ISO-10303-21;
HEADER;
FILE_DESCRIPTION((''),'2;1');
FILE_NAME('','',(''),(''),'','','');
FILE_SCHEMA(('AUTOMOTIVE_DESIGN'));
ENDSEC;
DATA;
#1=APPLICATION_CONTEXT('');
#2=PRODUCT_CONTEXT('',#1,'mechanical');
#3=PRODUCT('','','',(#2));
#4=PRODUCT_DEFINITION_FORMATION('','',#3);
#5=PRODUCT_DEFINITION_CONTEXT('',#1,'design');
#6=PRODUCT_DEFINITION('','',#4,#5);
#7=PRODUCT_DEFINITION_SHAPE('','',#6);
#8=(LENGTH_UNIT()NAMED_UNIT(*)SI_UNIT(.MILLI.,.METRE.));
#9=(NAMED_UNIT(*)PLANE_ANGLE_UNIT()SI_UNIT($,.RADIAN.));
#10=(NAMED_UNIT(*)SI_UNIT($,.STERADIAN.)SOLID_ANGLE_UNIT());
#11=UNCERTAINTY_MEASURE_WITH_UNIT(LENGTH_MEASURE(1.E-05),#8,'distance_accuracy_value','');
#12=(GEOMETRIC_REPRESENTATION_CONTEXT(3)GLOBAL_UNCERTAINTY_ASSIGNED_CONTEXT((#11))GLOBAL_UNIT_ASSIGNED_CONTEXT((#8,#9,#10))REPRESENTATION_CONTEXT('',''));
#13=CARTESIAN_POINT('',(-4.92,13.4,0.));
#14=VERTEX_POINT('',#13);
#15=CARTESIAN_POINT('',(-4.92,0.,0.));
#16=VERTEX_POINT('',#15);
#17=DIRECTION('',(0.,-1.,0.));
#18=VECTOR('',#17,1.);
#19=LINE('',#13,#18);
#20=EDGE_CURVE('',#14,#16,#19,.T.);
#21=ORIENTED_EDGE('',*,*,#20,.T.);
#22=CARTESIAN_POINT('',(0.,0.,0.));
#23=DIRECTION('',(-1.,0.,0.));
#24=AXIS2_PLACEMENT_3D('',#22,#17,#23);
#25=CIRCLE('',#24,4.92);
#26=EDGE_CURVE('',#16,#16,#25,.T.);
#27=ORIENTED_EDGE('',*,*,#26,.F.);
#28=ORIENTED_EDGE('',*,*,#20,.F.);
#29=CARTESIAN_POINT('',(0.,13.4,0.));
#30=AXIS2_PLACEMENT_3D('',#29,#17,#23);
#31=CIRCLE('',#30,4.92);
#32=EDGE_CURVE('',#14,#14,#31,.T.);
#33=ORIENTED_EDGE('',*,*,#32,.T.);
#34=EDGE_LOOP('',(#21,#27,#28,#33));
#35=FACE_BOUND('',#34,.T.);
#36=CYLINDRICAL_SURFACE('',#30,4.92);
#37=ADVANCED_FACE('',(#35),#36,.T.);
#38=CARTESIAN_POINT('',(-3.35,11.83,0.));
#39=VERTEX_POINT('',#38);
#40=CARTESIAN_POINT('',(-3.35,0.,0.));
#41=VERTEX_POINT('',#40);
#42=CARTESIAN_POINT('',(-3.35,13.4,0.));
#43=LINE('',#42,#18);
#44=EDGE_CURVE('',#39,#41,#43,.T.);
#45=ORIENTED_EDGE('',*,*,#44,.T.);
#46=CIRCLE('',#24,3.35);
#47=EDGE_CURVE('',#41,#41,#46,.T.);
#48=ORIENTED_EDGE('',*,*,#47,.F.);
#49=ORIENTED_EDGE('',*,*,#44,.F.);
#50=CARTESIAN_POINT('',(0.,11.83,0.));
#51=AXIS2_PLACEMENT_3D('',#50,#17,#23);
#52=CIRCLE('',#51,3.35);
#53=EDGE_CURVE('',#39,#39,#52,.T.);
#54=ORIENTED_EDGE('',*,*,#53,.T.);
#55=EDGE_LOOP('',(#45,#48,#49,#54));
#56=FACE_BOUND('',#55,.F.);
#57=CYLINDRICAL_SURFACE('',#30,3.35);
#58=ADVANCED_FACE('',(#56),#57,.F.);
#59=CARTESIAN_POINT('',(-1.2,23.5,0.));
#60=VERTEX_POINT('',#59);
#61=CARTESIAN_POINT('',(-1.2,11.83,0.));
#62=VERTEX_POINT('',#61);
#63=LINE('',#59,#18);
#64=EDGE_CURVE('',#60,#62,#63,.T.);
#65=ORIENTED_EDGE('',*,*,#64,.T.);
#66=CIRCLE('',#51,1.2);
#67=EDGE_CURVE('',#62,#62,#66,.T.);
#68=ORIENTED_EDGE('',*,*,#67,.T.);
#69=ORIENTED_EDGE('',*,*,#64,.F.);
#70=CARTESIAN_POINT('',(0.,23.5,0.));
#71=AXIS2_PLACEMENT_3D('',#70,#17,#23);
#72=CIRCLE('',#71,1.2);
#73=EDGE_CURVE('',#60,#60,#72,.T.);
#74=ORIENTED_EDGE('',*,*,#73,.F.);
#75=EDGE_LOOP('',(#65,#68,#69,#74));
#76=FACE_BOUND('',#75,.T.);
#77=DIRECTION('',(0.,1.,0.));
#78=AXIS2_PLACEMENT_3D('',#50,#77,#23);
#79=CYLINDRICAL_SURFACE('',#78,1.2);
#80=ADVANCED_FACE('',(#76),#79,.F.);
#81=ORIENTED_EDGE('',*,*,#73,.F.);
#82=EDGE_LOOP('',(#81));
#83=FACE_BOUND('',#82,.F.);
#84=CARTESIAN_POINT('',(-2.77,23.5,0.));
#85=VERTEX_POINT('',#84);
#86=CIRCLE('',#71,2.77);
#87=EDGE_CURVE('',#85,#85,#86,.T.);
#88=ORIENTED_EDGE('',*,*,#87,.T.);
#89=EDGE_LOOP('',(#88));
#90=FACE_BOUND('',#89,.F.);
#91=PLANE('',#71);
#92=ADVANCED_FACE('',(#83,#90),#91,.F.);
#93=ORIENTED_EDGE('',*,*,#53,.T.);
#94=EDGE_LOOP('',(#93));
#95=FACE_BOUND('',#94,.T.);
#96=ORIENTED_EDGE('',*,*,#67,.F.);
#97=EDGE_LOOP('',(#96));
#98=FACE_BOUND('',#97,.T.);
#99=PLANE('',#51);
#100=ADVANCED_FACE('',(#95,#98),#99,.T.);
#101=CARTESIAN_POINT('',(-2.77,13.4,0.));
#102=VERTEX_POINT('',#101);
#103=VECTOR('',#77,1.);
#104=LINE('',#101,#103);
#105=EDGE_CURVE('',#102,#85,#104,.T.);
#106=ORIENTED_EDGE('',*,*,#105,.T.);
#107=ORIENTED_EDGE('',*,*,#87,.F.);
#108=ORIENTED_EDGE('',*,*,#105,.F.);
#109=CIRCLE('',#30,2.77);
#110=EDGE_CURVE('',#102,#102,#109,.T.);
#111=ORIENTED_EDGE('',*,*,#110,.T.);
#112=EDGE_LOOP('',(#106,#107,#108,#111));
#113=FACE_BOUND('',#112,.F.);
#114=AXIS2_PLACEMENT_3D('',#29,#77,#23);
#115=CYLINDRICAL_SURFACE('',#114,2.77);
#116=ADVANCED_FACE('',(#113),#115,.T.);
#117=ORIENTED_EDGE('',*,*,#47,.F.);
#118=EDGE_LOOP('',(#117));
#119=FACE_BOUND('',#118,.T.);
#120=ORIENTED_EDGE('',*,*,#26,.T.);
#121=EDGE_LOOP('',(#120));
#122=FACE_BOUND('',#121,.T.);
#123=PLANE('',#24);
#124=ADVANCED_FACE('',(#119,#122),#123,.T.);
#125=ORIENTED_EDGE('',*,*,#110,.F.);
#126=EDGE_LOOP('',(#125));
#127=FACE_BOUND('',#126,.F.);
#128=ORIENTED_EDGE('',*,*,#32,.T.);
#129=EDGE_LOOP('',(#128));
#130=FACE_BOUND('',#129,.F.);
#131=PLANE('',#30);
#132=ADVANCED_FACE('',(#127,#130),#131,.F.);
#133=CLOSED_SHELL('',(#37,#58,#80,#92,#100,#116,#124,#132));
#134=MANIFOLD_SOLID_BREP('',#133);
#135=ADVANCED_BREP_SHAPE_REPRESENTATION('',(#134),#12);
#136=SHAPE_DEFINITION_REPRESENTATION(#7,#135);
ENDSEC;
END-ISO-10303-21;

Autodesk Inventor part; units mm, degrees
ref_plane "YZ Plane" through (0, 0, 0) normal (1, 0, 0) x (0, 1, 0)
ref_plane "XZ Plane" through (0, 0, 0) normal (0, 1, 0) x (-1, 0, 0)
ref_plane "XY Plane" through (0, 0, 0) normal (0, 0, 1) x (1, 0, 0)
sketch "Sketch1" plane through (0, 0, 0) normal (0, 0, 1) x (1, 0, 0)
  line L0 (0, 2.4022) -> (0, -2.2164) construction
  line L1 (-3.35, 13.4) -> (-3.35, 0)
  line L2 (-4.92, 13.4) -> (-4.92, 0)
  line L3 (-4.92, 13.4) -> (-3.35, 13.4)
  line L4 (-4.92, 11.83) -> (-1.2, 11.83)
  line L5 (-1.2, 11.83) -> (-1.2, 23.5)
  line L6 (-3.35, 13.4) -> (-1.2, 13.4)
  line L7 (-2.77, 13.4) -> (-2.77, 23.5)
  line L8 (-4.92, 0) -> (-3.35, 0)
  line L9 (-2.77, 23.5) -> (-1.2, 23.5)
  point P0 (0, 0)
  point P1 (0, 0.0929)
  point P2 (-3.35, 11.83)
  dimension "d0" = 3.35
  dimension "d1" = 13.4
  dimension "d2" = 1.57
  dimension "d3" = 1.57
  dimension "d4" = 1.2
  dimension "d5" = 1.57
  dimension "d7" = 23.5
revolve "Revolution1" add sketch "Sketch1" angle 360 about axis through (0, 2.4022, 0) along (0, -1, 0)
equation "\"d3\" = d2"
equation "\"d5\" = d2"
properties part number "0008-30-1008 Adaptor furtun"
